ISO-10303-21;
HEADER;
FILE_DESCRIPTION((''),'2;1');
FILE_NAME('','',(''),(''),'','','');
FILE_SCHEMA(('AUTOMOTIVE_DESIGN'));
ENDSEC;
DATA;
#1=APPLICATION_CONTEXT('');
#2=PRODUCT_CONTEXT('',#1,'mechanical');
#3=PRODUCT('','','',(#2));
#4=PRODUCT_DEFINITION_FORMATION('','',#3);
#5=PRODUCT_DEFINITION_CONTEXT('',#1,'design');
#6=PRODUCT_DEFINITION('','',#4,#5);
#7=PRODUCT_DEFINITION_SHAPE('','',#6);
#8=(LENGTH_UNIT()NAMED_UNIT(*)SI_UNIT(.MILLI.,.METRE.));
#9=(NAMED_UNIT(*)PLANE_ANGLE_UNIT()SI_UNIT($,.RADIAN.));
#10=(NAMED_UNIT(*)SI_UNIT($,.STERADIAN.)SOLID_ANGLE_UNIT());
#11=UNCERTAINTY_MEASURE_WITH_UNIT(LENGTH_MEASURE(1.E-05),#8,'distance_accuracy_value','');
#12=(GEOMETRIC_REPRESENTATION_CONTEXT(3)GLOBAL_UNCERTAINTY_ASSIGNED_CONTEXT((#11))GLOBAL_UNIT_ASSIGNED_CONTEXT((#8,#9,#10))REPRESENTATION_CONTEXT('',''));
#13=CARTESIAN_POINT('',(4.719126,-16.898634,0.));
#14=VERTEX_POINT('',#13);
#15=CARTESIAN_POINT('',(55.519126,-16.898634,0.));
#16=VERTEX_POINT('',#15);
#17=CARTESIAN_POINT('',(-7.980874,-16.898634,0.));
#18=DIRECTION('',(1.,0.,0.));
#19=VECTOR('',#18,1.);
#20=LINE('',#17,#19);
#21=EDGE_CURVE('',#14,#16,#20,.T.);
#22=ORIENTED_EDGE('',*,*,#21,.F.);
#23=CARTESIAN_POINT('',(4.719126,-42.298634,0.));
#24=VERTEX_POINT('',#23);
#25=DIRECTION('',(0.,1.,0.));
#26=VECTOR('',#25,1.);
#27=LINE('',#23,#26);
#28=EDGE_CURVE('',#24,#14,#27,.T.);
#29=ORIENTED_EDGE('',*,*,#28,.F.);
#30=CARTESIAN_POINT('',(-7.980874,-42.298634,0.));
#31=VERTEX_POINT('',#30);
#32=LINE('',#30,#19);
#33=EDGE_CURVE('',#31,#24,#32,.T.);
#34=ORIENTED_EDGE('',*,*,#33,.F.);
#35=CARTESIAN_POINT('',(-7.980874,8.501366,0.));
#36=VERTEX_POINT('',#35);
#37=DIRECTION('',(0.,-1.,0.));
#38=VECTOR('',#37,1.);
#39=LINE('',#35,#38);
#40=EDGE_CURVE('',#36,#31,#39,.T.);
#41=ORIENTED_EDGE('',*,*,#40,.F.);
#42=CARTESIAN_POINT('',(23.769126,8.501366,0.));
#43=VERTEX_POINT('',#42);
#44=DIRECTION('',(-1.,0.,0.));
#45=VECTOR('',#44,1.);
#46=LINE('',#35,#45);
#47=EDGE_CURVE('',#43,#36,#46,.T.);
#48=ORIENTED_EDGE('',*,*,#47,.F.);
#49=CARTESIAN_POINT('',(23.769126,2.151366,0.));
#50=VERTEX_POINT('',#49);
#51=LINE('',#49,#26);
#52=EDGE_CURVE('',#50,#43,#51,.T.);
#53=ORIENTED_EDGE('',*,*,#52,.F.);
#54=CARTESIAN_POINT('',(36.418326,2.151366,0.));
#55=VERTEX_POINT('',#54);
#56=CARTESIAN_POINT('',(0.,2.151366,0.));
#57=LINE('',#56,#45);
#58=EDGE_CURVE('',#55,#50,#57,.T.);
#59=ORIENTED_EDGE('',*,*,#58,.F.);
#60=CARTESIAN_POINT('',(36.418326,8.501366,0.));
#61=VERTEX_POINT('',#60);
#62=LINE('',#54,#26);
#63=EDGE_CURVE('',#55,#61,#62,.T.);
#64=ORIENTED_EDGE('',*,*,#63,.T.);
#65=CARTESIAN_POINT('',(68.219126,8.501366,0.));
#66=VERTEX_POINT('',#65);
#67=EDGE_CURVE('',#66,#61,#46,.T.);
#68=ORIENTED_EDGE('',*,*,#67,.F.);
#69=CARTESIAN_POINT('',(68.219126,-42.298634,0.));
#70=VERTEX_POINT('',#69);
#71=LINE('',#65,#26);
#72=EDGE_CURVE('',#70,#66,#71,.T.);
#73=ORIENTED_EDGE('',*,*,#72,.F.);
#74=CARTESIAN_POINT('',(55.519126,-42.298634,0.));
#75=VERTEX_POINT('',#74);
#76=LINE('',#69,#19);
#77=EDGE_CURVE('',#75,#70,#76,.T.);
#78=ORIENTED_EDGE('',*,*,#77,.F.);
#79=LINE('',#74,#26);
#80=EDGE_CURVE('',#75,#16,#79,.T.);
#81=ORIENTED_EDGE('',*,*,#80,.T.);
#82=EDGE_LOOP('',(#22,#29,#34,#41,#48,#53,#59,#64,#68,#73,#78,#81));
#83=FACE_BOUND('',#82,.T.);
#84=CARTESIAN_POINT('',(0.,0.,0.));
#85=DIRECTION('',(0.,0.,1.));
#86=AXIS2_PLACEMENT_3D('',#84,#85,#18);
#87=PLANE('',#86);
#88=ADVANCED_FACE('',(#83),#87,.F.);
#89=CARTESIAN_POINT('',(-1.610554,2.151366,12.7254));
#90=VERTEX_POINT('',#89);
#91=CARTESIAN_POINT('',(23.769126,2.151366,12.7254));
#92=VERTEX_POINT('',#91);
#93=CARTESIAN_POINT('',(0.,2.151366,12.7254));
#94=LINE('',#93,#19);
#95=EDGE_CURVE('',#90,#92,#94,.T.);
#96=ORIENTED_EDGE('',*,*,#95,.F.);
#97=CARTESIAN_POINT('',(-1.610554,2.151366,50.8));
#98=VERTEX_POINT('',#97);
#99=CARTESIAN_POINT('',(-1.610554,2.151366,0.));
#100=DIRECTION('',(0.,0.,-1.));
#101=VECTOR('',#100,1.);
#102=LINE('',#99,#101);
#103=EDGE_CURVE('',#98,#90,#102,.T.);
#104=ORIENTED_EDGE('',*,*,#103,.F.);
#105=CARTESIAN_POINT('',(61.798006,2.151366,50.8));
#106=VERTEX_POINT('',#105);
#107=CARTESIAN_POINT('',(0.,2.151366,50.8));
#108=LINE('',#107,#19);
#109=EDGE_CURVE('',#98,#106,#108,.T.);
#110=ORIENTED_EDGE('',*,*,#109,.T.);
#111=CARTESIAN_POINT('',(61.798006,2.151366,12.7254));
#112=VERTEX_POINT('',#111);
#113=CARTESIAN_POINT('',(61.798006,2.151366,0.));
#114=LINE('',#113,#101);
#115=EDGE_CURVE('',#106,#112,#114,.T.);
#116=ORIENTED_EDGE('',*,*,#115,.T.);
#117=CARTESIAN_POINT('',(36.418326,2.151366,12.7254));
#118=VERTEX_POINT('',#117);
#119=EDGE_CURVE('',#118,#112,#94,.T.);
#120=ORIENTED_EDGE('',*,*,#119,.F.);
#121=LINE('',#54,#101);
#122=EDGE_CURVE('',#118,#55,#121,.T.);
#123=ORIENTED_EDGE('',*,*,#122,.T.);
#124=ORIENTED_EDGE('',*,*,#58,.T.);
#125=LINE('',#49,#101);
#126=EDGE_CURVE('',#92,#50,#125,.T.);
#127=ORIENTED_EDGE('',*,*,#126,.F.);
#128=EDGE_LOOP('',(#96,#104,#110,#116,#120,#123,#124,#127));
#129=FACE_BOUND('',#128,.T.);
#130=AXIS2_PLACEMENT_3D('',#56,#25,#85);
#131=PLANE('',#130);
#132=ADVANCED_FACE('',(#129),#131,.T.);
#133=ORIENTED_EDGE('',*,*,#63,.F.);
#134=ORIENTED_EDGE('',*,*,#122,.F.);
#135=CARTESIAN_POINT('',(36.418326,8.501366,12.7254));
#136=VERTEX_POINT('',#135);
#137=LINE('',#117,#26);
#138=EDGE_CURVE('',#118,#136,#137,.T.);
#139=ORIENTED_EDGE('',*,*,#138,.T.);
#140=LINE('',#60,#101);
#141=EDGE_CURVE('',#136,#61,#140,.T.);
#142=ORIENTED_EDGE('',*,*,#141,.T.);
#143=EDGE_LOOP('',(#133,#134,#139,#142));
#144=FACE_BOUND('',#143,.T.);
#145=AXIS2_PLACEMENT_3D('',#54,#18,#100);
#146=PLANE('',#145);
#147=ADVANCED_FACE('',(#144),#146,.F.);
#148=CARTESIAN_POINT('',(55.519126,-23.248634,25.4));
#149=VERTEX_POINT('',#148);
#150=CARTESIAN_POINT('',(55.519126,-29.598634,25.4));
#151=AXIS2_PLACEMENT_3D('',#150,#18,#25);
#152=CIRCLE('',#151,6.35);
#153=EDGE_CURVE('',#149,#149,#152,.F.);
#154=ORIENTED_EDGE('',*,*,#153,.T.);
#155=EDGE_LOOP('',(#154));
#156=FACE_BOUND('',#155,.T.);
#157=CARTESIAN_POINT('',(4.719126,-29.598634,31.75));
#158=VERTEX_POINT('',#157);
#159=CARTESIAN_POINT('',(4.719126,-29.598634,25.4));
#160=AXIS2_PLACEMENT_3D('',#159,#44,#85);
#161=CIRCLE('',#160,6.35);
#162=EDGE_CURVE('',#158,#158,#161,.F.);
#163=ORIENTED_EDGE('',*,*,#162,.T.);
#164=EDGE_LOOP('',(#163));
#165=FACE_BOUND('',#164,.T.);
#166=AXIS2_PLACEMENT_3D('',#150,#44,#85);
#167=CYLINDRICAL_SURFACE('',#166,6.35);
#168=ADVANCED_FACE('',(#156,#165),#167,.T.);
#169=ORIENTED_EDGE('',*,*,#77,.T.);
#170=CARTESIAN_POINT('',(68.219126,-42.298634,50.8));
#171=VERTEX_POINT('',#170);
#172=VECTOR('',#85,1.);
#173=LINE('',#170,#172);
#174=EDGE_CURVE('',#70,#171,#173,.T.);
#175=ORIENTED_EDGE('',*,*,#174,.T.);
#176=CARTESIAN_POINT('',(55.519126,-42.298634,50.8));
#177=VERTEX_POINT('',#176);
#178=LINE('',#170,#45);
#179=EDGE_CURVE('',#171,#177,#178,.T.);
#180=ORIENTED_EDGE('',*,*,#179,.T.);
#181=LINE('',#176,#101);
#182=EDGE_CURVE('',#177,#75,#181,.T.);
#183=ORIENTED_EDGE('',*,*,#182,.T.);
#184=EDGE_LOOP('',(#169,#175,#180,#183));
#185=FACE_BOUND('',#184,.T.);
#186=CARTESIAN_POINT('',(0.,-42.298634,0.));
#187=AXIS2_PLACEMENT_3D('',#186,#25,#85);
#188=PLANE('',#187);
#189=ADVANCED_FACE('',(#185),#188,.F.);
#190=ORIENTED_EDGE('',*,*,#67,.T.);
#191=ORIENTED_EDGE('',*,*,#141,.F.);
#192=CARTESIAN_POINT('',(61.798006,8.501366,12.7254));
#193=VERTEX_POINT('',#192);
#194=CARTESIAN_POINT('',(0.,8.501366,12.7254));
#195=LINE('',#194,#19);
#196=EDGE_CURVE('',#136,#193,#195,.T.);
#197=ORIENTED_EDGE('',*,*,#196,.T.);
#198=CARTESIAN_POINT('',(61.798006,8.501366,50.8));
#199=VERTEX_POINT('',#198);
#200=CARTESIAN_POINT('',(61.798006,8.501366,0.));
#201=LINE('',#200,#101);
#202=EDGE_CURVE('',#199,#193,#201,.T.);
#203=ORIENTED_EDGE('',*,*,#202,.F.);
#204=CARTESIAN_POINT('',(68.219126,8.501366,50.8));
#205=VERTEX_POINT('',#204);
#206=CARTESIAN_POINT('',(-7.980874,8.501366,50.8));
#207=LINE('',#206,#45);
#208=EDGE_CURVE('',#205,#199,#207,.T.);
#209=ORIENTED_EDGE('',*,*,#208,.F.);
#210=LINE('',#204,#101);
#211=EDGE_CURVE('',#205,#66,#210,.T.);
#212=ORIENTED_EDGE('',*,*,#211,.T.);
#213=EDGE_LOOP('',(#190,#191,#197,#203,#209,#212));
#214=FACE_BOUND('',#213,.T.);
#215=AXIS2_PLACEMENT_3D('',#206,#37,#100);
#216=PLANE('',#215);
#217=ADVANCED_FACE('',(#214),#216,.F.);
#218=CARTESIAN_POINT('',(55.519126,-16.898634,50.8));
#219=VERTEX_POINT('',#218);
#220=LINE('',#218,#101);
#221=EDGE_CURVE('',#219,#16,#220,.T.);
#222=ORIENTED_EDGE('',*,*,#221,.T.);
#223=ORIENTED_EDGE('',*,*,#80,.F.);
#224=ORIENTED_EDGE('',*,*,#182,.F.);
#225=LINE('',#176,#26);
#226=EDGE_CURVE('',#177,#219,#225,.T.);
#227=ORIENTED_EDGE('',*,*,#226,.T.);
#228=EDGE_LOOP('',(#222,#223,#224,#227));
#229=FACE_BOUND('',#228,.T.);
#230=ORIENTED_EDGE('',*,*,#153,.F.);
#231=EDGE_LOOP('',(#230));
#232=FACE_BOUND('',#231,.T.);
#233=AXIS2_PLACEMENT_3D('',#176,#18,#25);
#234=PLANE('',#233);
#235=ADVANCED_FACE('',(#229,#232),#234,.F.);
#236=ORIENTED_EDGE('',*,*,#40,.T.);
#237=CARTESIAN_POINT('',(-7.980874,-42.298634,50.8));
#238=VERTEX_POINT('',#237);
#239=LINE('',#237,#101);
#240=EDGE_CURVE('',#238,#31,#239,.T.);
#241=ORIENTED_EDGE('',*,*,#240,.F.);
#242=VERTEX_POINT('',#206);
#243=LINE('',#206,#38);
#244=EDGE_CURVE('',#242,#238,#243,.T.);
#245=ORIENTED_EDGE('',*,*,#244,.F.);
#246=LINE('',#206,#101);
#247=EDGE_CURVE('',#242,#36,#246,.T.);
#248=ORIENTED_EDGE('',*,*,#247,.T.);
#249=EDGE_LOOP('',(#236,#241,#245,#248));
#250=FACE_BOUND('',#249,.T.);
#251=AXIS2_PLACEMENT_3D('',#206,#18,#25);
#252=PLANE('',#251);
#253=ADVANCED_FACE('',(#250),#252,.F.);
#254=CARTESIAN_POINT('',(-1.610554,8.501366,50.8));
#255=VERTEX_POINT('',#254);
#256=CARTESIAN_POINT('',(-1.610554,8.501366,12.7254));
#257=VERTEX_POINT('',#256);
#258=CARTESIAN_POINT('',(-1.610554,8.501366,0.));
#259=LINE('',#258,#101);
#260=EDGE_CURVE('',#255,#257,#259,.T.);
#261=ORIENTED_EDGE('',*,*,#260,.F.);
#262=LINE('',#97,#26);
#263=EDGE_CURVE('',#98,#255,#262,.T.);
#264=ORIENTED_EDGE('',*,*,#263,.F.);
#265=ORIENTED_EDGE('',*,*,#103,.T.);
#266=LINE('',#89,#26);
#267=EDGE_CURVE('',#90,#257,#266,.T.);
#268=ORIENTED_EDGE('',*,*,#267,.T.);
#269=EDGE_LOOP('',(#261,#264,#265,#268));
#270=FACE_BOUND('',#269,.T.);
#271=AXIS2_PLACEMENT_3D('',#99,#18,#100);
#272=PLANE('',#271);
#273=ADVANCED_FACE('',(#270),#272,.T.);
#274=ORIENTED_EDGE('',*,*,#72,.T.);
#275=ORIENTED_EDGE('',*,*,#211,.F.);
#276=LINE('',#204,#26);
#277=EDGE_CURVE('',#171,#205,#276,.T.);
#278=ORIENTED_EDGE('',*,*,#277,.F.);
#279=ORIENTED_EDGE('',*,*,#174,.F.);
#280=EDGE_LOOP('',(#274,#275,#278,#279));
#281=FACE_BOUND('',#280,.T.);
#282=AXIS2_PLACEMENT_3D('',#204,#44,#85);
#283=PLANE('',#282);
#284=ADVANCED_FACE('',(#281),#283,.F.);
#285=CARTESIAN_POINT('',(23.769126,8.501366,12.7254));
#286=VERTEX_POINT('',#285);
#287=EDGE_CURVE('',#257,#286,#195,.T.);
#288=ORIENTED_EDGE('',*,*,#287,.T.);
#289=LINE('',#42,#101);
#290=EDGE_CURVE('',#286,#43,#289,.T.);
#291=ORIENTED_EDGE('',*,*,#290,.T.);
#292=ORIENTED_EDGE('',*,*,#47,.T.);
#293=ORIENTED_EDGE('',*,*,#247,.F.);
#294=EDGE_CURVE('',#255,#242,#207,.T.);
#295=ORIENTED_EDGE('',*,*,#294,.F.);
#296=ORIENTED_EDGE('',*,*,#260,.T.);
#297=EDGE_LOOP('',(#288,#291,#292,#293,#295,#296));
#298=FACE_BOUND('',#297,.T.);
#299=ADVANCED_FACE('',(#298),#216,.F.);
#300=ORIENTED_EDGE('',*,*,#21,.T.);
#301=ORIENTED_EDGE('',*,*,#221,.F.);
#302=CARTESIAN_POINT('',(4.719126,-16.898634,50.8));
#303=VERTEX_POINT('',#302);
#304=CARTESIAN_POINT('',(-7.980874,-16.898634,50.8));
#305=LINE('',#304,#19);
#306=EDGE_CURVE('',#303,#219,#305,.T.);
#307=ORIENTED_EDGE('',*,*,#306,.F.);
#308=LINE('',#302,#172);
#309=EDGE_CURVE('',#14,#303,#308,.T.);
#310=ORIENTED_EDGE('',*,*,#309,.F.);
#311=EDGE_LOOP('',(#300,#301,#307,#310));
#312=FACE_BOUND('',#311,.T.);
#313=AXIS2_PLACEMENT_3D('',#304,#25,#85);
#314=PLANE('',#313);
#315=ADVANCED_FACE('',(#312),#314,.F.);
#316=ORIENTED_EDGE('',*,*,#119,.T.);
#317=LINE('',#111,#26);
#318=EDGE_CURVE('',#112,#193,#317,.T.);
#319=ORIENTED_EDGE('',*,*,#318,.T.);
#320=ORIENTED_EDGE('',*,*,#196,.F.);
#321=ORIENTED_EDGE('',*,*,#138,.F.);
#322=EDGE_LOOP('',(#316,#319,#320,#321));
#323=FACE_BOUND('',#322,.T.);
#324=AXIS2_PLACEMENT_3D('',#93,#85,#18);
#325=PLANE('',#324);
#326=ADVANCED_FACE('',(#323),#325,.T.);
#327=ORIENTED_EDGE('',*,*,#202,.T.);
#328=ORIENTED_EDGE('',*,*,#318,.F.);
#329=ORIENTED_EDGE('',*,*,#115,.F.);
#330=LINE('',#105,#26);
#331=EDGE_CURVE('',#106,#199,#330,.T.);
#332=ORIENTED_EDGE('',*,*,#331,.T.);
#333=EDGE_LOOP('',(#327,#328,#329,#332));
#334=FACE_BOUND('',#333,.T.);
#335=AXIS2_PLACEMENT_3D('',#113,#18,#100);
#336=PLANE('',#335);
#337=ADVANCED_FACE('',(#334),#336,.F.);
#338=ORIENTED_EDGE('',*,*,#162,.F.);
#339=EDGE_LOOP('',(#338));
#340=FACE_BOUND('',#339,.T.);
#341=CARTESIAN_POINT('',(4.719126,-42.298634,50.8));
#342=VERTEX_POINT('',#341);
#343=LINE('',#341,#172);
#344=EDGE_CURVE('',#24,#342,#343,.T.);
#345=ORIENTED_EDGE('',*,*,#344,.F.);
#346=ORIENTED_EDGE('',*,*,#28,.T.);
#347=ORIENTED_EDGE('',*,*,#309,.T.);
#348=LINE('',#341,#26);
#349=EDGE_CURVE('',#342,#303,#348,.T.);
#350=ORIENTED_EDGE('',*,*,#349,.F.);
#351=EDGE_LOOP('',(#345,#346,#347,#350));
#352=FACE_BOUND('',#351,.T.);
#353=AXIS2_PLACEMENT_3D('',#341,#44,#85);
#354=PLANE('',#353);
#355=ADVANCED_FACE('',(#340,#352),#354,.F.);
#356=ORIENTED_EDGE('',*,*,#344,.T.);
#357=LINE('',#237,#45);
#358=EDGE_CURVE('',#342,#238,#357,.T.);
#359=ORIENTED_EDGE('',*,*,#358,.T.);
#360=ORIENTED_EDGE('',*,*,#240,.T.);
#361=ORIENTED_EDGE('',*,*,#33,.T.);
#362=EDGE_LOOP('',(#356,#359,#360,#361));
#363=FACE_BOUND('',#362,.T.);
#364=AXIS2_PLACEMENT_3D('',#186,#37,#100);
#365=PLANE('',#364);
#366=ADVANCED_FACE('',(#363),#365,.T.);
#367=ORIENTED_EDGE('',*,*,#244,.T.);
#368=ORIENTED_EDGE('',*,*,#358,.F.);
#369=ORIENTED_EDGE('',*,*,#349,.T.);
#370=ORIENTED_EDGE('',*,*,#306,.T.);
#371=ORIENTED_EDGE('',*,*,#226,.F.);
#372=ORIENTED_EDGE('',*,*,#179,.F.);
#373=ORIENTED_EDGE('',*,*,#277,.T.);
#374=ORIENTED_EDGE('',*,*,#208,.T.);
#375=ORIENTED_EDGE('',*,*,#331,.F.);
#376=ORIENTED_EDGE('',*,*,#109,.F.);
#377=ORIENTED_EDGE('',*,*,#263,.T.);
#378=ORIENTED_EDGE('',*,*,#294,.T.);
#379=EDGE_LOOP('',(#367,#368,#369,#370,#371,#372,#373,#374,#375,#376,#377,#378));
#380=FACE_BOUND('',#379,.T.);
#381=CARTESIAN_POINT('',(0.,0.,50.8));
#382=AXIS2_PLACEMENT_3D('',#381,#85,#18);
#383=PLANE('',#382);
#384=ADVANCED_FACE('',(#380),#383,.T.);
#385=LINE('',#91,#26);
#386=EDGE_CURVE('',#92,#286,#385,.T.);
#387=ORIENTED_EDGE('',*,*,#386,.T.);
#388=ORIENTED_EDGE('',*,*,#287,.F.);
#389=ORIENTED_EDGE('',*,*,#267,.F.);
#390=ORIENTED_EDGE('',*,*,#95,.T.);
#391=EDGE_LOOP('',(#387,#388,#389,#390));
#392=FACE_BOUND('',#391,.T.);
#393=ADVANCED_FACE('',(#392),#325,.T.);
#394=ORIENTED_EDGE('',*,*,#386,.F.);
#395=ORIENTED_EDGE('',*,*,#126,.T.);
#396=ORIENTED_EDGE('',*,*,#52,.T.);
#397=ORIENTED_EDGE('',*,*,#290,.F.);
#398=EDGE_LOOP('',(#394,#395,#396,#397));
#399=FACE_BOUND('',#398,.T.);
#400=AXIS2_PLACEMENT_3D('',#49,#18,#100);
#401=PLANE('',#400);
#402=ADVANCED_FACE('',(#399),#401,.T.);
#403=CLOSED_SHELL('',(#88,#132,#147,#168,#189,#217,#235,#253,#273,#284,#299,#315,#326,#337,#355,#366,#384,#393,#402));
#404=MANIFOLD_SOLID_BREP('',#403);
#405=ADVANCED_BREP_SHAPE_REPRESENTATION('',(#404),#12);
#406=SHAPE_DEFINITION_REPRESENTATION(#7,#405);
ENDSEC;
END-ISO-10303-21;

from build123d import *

# Parameters (mm, degrees)
SKETCH2_W           = 76.2
SKETCH2_H           = 25.4
BOSS_EXTRUDE1_DEPTH = 50.8
SKETCH3_W           = 12.7
SKETCH3_H           = 50.8
BOSS_EXTRUDE2_DEPTH = 25.4
SKETCH4_R           = 6.35
BOSS_EXTRUDE3_DEPTH = 50.8
SKETCH7_W           = 12.6492
SKETCH7_H           = 12.7254
CUT_EXTRUDE1_DEPTH  = 6.35


with BuildPart() as part:
    # Sketch2 → Boss-Extrude1 (new body)
    with BuildSketch(Plane.XY):
        with Locations((30.119125683, -4.19863388)):
            Rectangle(SKETCH2_W, SKETCH2_H)
    extrude(amount=BOSS_EXTRUDE1_DEPTH)

    # Sketch3 → Boss-Extrude2 (add)
    with BuildSketch(Plane.XZ.offset(16.89863388)):
        with Locations((-1.630874317, 25.4)):
            Rectangle(SKETCH3_W, SKETCH3_H)
        with Locations((61.869125683, 25.4)):
            Rectangle(SKETCH3_W, SKETCH3_H)
    extrude(amount=BOSS_EXTRUDE2_DEPTH)

    # Sketch4 → Boss-Extrude3 (add)
    with BuildSketch(Plane(origin=(4.719125683, 0, 0), x_dir=(0, 0, -1), z_dir=(1, 0, 0))):
        with Locations(Location((-25.4, -29.59863388, 0), (0, 0, 180))):
            Circle(SKETCH4_R)
    extrude(amount=BOSS_EXTRUDE3_DEPTH)

    # Sketch7 → Cut-Extrude1 (cut)
    with BuildSketch(Plane(origin=(0, 8.50136612, 0), x_dir=(1, 0, 0), z_dir=(0, 1, 0))):
        Polygon((-1.610554317, -12.7254), (-1.610554317, -50.8), (61.798005683, -50.8), (61.798005683, -12.7254), (36.418325683, -12.7254), (23.769125683, -12.7254), align=None)
        with Locations((30.093725683, -6.3627)):
            Rectangle(SKETCH7_W, SKETCH7_H)
    extrude(amount=-CUT_EXTRUDE1_DEPTH, mode=Mode.SUBTRACT)


solid = part.part
